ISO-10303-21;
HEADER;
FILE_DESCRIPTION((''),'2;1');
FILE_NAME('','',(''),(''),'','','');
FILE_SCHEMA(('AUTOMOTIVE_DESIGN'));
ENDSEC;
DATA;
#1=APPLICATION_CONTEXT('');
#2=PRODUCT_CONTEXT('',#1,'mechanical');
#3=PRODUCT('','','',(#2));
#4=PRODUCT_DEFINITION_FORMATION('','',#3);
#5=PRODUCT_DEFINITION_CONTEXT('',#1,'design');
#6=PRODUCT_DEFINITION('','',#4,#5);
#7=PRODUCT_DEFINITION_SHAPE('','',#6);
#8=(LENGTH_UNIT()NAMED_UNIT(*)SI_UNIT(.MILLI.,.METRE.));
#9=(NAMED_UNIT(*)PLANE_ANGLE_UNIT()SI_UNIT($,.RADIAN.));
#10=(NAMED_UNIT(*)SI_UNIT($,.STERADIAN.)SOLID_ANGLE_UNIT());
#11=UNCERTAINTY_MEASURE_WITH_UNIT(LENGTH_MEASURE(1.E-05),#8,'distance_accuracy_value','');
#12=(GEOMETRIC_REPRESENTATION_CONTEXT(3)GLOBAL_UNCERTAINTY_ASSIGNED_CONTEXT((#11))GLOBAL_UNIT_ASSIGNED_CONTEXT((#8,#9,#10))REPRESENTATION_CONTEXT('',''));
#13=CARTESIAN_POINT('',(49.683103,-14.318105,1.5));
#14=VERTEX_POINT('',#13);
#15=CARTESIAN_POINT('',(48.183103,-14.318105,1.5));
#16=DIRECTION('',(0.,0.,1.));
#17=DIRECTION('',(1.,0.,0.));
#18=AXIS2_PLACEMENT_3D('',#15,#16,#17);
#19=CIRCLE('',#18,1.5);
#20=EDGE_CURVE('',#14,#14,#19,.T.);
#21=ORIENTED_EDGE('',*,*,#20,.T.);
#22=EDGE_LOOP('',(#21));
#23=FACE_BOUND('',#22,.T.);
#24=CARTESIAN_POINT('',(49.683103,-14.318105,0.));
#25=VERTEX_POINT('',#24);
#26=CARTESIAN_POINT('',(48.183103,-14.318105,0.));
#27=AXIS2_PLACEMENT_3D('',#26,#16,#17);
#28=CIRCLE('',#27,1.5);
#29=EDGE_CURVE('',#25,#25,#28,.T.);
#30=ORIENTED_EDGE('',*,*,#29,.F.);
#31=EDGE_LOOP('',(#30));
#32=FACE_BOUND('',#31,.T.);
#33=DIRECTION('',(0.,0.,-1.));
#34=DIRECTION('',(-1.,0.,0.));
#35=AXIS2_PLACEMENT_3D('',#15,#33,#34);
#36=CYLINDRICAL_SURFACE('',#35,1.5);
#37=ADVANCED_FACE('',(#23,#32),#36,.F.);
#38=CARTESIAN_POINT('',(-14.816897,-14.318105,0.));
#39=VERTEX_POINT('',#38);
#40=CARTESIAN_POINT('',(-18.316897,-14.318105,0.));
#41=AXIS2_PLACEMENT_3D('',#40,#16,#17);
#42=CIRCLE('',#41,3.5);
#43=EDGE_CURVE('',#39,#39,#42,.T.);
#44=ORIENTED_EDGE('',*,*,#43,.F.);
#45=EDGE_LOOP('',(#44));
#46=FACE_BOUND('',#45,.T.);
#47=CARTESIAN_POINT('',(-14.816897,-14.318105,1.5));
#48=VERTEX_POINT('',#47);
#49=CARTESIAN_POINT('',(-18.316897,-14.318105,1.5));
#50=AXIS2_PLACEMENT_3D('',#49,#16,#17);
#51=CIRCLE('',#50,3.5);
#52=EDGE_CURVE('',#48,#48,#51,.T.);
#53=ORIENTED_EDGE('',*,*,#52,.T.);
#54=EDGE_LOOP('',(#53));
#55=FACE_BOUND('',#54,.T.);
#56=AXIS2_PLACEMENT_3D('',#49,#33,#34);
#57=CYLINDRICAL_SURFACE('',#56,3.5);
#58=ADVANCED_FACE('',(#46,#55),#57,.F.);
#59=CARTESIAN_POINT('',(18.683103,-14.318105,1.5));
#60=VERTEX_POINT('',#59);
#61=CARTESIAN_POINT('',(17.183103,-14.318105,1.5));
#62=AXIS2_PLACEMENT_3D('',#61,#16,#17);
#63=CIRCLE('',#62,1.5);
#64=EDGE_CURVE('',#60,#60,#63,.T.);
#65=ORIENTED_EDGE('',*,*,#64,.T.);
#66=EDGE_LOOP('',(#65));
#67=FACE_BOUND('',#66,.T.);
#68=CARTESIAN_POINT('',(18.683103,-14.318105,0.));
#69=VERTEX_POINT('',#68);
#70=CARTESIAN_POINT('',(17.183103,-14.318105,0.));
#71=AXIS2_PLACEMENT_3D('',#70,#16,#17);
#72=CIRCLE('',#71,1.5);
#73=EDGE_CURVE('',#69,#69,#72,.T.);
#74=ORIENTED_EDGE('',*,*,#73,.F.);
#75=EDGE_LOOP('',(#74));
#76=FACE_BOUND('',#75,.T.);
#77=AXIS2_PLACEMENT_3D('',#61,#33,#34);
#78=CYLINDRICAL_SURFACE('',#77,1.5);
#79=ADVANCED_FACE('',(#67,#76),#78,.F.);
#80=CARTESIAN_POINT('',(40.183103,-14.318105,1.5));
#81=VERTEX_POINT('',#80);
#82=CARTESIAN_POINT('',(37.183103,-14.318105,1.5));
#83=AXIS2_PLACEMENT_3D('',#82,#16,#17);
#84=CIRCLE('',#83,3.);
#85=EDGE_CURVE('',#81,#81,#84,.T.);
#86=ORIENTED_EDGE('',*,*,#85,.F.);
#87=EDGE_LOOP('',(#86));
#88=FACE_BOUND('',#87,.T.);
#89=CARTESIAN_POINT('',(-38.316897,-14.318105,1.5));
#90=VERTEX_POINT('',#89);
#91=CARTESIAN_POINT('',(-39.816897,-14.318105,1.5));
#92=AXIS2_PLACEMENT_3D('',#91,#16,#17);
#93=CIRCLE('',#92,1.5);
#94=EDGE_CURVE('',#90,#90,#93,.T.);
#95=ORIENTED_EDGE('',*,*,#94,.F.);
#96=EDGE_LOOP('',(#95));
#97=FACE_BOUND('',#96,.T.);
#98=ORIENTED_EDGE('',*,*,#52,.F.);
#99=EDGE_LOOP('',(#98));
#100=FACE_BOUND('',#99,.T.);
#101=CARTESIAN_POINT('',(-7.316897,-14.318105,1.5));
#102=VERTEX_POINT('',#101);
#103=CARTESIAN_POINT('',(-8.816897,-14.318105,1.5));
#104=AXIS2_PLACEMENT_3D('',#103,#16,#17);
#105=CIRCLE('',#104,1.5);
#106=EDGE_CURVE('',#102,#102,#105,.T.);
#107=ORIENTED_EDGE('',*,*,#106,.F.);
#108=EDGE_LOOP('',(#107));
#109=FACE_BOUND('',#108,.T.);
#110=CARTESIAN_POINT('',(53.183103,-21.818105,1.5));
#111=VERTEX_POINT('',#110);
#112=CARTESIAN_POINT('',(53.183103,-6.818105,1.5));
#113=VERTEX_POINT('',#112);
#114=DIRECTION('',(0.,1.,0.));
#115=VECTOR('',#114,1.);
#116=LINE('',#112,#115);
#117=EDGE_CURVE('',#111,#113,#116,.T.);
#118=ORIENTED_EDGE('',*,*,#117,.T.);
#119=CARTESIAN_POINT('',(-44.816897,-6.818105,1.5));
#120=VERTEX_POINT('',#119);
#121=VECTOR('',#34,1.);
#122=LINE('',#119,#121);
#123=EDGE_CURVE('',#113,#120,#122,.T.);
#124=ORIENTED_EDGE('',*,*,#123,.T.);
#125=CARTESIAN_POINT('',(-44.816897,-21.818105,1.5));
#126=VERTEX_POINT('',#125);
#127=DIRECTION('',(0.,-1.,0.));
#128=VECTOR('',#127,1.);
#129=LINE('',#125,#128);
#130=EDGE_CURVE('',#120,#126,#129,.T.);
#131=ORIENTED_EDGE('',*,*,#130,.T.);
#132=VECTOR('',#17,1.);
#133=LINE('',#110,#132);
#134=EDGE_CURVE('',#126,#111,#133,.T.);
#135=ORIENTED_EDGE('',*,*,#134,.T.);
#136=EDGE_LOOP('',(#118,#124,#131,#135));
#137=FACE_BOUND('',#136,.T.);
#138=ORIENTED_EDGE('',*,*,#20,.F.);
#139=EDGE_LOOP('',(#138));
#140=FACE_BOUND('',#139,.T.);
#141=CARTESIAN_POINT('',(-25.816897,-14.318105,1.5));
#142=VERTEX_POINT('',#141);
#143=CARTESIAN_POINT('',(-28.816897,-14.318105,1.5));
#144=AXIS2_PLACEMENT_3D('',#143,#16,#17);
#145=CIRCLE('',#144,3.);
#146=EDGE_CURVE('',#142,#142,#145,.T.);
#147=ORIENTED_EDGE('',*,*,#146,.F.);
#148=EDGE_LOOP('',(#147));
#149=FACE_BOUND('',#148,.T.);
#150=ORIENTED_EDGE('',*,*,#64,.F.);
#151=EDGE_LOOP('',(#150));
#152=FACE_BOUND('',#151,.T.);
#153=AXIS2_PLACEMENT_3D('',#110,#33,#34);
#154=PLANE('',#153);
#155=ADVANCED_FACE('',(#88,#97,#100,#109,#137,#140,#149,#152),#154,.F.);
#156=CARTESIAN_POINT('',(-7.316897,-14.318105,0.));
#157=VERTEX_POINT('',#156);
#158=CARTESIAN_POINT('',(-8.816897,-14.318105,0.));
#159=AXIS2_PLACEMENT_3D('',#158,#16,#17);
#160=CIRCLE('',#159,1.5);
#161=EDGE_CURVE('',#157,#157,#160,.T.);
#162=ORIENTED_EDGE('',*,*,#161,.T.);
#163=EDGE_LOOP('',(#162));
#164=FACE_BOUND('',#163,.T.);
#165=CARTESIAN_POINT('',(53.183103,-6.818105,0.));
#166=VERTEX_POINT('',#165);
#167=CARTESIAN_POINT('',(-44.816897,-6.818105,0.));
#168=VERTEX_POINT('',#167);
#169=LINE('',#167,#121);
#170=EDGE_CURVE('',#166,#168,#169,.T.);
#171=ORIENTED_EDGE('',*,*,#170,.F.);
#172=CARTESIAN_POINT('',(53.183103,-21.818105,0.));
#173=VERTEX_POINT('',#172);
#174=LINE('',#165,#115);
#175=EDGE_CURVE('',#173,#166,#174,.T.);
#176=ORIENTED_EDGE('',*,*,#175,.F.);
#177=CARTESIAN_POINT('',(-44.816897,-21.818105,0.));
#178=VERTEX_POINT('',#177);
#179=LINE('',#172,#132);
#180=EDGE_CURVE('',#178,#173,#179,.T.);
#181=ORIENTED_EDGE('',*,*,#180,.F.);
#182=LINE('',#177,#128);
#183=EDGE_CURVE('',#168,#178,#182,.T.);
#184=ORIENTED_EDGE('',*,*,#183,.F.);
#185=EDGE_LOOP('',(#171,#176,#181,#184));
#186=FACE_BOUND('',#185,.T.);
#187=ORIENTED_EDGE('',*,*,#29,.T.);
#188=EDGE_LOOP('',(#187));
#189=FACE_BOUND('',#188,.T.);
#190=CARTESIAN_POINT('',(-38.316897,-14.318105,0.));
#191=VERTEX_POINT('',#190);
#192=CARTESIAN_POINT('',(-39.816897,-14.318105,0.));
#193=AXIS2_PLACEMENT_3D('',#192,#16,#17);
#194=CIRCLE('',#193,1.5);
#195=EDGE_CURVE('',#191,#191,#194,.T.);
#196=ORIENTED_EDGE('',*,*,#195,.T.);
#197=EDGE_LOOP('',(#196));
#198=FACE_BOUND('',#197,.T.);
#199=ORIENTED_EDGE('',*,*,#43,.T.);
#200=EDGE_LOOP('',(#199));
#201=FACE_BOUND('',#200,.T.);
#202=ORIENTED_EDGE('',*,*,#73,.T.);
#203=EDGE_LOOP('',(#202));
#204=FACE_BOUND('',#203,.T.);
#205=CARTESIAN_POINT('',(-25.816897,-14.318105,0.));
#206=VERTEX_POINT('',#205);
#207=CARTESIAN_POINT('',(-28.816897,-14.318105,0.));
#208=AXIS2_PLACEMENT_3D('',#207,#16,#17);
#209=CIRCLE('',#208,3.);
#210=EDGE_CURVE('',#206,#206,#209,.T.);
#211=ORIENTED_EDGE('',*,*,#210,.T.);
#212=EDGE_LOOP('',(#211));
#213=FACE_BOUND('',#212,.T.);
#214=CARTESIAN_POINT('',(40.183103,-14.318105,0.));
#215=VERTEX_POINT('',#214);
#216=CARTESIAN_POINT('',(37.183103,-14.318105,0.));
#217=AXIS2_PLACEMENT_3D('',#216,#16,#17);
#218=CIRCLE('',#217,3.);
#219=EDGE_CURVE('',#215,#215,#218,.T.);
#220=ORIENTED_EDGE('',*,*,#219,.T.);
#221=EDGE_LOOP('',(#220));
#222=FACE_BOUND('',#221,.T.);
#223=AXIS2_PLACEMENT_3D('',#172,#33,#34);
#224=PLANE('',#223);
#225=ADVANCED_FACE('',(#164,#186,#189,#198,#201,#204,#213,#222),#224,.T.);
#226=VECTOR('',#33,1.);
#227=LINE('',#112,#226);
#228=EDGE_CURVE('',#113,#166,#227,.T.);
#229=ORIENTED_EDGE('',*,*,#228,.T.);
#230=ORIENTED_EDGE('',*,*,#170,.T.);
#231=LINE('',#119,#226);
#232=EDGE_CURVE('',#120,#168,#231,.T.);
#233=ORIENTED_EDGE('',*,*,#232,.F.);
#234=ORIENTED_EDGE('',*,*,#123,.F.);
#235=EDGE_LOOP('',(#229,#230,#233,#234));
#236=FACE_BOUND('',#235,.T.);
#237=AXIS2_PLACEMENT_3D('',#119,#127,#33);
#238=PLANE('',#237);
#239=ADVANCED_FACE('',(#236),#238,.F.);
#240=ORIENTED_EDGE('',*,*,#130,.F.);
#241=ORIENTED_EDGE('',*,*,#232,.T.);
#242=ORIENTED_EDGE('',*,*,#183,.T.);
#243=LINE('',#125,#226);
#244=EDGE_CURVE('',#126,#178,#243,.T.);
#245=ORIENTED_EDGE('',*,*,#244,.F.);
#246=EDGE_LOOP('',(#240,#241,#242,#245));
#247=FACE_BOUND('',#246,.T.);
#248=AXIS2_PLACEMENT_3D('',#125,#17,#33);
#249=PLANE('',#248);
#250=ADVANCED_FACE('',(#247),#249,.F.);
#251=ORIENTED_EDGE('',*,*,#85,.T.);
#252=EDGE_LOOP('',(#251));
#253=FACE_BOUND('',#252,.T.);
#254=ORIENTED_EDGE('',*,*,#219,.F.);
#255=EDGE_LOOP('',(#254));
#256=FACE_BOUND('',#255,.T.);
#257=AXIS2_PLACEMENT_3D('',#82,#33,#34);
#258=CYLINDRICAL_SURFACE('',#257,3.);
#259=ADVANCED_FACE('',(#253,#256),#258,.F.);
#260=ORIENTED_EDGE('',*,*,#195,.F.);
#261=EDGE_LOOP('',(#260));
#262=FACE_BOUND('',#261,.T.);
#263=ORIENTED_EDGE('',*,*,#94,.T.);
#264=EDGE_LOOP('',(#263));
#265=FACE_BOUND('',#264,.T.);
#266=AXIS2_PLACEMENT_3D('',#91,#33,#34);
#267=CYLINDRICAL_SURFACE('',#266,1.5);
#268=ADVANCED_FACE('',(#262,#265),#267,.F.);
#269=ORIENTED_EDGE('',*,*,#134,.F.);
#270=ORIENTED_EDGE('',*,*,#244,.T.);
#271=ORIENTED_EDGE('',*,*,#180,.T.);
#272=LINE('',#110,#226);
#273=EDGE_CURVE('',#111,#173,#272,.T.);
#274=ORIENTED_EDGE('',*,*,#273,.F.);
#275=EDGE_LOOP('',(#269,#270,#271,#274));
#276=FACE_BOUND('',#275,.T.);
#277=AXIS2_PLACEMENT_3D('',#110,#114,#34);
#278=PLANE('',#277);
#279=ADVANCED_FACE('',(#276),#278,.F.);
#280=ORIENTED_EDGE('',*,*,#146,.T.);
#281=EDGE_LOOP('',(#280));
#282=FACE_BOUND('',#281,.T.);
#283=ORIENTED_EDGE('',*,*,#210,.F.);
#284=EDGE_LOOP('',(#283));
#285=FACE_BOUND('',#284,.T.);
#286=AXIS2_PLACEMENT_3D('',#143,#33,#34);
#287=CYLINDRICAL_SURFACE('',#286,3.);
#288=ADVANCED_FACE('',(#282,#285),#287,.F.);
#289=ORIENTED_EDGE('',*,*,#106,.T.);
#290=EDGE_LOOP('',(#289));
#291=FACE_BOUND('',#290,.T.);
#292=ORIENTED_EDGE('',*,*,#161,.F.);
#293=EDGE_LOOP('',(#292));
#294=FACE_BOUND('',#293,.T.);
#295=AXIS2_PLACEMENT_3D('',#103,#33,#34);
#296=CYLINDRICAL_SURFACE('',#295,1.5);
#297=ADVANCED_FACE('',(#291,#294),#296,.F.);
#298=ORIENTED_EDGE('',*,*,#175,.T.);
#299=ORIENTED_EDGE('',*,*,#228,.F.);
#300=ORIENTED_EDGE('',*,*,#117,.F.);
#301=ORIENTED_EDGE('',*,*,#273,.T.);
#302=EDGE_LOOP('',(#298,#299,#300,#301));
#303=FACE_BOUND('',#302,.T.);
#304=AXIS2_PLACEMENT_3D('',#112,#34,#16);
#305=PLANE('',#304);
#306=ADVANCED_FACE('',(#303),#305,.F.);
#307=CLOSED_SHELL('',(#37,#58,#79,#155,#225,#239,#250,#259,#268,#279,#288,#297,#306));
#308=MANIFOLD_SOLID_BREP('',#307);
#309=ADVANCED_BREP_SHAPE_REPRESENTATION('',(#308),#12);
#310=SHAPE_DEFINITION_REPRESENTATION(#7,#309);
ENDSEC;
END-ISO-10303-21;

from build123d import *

# Parameters (mm, degrees)
ESQUISSE1_W      = 98
ESQUISSE1_H      = 15
ESQUISSE1_R      = 1.5
ESQUISSE1_R_2    = 3
ESQUISSE1_R_3    = 3.5
EXTRUSION1_DEPTH = 1.5


with BuildPart() as part:
    # Esquisse1 → Extrusion1 (new body)
    with BuildSketch(Plane.XY):
        with Locations((4.183103094, -14.318105263)):
            Rectangle(ESQUISSE1_W, ESQUISSE1_H)
        with Locations((-8.816896906, -14.318105263)):
            Circle(ESQUISSE1_R, mode=Mode.SUBTRACT)
        with Locations((17.183103094, -14.318105263)):
            Circle(ESQUISSE1_R, mode=Mode.SUBTRACT)
        with Locations((-28.816896906, -14.318105263)):
            Circle(ESQUISSE1_R_2, mode=Mode.SUBTRACT)
        with Locations((37.183103094, -14.318105263)):
            Circle(ESQUISSE1_R_2, mode=Mode.SUBTRACT)
        with Locations((-18.316896906, -14.318105263)):
            Circle(ESQUISSE1_R_3, mode=Mode.SUBTRACT)
        with Locations((48.183103094, -14.318105263)):
            Circle(ESQUISSE1_R, mode=Mode.SUBTRACT)
        with Locations((-39.816896906, -14.318105263)):
            Circle(ESQUISSE1_R, mode=Mode.SUBTRACT)
    extrude(amount=EXTRUSION1_DEPTH)


solid = part.part
